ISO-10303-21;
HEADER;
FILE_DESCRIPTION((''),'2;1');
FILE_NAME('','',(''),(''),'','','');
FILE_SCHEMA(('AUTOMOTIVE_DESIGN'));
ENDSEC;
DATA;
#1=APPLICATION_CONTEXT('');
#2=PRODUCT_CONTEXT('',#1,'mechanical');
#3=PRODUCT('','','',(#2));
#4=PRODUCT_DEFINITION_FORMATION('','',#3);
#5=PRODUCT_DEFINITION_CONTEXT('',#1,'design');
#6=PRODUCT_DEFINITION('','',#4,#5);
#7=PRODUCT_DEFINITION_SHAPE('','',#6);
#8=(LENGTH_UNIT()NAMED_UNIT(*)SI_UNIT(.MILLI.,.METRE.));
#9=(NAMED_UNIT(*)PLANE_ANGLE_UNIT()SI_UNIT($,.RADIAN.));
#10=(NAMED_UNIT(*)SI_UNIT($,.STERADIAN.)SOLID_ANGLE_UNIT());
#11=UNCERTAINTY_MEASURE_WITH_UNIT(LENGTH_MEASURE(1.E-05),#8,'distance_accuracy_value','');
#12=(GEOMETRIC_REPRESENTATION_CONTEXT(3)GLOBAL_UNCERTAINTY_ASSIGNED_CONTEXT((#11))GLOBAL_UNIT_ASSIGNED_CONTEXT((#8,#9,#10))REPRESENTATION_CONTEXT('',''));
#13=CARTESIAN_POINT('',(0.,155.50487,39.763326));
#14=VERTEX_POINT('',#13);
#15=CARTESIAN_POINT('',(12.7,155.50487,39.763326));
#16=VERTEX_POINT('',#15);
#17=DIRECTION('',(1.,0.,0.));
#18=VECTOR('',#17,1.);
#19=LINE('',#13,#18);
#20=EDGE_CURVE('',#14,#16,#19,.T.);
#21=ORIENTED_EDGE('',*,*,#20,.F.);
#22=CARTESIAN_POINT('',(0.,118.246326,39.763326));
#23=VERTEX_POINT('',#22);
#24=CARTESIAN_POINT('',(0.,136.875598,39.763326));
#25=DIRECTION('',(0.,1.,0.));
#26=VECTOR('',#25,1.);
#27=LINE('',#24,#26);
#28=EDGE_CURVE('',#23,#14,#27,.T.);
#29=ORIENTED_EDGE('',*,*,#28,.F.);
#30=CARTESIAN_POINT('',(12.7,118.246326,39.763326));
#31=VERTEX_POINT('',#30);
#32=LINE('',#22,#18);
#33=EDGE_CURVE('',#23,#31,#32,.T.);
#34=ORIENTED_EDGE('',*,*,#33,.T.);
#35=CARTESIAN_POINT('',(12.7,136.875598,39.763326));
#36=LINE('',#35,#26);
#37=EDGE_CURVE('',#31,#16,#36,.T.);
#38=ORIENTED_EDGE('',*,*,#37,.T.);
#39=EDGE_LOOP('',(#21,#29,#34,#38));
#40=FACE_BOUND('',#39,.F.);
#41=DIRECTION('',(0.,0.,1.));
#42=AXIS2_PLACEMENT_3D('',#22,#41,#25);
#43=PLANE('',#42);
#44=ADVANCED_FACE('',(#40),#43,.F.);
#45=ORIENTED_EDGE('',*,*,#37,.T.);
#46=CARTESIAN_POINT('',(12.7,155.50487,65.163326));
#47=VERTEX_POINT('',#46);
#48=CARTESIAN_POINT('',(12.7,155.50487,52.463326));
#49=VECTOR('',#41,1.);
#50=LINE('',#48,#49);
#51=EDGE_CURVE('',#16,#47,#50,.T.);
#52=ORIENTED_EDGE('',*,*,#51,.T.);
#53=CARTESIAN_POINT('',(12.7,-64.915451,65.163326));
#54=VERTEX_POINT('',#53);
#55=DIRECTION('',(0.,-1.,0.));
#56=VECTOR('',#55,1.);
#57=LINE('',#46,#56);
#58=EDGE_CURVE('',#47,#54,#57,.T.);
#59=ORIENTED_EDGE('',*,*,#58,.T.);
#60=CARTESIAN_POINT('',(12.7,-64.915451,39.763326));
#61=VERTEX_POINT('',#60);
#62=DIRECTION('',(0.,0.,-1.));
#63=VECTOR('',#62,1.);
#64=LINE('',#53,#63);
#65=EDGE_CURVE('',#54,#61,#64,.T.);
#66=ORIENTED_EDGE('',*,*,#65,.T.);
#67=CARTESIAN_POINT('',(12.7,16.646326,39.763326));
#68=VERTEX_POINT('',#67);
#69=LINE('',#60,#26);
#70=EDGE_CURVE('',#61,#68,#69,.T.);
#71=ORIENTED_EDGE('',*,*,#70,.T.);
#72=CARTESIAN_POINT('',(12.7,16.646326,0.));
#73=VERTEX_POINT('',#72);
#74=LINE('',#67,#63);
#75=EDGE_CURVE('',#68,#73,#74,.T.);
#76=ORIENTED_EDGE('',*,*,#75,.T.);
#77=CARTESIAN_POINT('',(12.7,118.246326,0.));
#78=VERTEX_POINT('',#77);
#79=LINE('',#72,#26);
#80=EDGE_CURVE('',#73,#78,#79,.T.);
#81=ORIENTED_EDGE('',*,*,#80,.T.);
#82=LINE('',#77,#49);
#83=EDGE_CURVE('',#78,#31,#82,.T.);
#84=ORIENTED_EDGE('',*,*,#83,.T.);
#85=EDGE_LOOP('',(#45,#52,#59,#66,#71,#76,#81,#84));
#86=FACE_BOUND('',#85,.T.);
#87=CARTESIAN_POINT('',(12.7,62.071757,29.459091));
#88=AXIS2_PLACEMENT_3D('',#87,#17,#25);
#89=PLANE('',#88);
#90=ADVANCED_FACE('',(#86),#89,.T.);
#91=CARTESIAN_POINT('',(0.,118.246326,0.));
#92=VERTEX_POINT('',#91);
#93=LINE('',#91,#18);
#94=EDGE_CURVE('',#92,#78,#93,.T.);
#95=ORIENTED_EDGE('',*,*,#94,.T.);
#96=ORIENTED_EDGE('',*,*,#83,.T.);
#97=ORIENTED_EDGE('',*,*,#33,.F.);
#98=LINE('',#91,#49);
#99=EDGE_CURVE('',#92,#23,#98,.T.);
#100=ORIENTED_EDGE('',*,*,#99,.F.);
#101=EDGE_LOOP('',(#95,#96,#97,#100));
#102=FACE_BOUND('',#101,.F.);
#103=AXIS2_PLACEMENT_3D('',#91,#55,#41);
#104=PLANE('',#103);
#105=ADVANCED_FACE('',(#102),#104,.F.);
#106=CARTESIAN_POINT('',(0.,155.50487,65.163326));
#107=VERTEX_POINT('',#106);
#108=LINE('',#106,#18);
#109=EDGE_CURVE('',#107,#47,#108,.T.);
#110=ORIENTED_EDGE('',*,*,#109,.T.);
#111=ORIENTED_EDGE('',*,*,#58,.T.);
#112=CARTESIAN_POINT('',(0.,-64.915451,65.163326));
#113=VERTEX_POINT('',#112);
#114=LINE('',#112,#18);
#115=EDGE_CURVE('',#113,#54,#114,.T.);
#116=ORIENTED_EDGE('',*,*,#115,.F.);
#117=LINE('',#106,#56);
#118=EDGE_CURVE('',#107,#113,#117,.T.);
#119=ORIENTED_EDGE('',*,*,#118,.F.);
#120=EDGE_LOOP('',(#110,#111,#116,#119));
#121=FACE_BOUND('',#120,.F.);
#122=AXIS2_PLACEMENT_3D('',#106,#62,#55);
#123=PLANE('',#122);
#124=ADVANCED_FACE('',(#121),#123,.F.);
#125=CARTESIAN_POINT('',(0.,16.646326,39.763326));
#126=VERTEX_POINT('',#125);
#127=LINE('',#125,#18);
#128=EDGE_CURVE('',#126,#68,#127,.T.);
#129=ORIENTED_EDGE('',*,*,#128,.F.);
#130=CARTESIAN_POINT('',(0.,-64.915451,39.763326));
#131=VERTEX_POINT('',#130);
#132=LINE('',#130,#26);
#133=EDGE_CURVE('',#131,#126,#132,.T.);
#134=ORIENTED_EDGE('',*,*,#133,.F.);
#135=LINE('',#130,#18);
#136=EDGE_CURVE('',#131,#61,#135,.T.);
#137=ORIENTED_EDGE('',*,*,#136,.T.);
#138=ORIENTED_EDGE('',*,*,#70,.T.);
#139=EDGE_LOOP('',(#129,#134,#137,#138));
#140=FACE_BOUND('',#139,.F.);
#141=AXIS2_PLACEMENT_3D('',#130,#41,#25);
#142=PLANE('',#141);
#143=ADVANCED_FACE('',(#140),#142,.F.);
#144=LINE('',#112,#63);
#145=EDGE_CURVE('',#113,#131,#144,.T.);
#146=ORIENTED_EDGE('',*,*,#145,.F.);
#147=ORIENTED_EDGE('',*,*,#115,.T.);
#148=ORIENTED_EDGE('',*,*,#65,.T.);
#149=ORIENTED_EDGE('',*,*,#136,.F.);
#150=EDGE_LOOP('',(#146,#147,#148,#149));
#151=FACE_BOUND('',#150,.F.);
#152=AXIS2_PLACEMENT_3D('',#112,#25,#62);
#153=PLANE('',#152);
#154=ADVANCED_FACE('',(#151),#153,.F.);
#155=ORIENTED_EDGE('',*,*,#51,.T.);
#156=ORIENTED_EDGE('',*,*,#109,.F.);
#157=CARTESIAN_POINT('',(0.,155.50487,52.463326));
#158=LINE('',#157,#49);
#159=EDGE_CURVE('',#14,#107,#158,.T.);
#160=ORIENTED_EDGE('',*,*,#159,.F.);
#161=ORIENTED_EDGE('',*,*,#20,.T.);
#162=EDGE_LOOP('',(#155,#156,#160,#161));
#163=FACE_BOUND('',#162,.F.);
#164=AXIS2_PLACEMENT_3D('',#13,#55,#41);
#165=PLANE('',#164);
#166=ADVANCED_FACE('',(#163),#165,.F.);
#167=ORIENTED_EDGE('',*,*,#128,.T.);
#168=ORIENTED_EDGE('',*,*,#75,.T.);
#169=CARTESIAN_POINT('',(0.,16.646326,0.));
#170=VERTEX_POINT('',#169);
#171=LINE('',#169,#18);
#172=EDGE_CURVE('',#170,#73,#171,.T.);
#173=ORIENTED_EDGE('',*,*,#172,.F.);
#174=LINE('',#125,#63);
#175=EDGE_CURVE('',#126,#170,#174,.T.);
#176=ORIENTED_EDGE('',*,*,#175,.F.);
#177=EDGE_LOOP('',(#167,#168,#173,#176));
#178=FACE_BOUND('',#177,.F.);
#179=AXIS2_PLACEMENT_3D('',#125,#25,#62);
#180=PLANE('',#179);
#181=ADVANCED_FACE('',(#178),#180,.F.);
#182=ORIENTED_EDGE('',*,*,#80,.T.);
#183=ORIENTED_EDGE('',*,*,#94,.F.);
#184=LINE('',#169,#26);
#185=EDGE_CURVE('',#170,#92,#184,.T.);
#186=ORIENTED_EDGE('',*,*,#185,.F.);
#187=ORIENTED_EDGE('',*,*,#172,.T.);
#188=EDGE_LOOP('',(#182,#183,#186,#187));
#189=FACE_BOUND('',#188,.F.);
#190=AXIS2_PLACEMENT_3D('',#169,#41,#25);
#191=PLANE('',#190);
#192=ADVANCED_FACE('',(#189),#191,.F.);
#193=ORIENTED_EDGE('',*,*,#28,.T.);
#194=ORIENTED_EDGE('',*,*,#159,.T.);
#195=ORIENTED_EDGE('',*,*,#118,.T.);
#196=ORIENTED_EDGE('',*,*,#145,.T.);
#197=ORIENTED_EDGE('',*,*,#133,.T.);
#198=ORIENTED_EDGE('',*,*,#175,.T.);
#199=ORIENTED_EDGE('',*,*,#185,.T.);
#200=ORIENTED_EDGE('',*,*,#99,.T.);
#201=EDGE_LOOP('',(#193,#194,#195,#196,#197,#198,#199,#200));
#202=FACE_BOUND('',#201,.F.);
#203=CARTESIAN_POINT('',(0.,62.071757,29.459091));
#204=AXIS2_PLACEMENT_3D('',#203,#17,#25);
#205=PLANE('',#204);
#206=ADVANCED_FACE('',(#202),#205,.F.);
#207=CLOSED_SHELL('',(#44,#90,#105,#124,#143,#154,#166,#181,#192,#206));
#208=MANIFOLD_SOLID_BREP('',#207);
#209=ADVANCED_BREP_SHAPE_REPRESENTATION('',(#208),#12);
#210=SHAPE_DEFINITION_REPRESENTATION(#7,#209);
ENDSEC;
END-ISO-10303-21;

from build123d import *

# Parameters (mm, degrees)
F0_W     = 12.7
F0_H     = 12.7
F0_W_2   = 16.6463264701
F0_H_2   = 19.4120164664
F0_H_3   = 25.4
F0_W_3   = 37.2585436921
F1_DEPTH = 12.7


with BuildPart() as f1:
    # F0 (on Right) → F1 (new body)
    with BuildSketch(Plane.YZ):
        Polygon((70.4794496269, 65.1633257237), (16.6463264701, 65.1633257237), (16.6463264701, 52.4633257237), (29.3463264701, 52.4633257237), (29.3463264701, 39.7633257237), (29.3463264701, 20.3513092572), (16.6463264701, 20.3513092572), (16.6463264701, 0), (118.2463264701, 0), (118.2463264701, 39.7633257237), (105.5463264701, 39.7633257237), (70.4794496269, 39.1371292737), align=None)
        Polygon((16.6463264701, 52.4633257237), (16.6463264701, 65.1633257237), (-64.9154511925, 65.1633257237), (-64.9154511925, 39.7633257237), (0, 39.7633257237), (0, 52.4633257237), align=None)
        with Locations((22.9963264701, 46.1133257237)):
            Rectangle(F0_W, F0_H)
        with Locations((8.323163235, 46.1133257237)):
            Rectangle(F0_W_2, F0_H)
        Polygon((88.5021024941, 65.1633257237), (70.4794496269, 65.1633257237), (70.4794496269, 39.1371292737), (105.5463264701, 39.7633257237), (105.5463264701, 65.1633257237), (94.1378517022, 65.1633257237), align=None)
        with Locations((22.9963264701, 30.0573174905)):
            Rectangle(F0_W, F0_H_2)
        with Locations((111.8963264701, 52.4633257237)):
            Rectangle(F0_W, F0_H_3)
        with Locations((136.8755983161, 52.4633257237)):
            Rectangle(F0_W_3, F0_H_3)
    extrude(amount=F1_DEPTH)


solid = f1.part
